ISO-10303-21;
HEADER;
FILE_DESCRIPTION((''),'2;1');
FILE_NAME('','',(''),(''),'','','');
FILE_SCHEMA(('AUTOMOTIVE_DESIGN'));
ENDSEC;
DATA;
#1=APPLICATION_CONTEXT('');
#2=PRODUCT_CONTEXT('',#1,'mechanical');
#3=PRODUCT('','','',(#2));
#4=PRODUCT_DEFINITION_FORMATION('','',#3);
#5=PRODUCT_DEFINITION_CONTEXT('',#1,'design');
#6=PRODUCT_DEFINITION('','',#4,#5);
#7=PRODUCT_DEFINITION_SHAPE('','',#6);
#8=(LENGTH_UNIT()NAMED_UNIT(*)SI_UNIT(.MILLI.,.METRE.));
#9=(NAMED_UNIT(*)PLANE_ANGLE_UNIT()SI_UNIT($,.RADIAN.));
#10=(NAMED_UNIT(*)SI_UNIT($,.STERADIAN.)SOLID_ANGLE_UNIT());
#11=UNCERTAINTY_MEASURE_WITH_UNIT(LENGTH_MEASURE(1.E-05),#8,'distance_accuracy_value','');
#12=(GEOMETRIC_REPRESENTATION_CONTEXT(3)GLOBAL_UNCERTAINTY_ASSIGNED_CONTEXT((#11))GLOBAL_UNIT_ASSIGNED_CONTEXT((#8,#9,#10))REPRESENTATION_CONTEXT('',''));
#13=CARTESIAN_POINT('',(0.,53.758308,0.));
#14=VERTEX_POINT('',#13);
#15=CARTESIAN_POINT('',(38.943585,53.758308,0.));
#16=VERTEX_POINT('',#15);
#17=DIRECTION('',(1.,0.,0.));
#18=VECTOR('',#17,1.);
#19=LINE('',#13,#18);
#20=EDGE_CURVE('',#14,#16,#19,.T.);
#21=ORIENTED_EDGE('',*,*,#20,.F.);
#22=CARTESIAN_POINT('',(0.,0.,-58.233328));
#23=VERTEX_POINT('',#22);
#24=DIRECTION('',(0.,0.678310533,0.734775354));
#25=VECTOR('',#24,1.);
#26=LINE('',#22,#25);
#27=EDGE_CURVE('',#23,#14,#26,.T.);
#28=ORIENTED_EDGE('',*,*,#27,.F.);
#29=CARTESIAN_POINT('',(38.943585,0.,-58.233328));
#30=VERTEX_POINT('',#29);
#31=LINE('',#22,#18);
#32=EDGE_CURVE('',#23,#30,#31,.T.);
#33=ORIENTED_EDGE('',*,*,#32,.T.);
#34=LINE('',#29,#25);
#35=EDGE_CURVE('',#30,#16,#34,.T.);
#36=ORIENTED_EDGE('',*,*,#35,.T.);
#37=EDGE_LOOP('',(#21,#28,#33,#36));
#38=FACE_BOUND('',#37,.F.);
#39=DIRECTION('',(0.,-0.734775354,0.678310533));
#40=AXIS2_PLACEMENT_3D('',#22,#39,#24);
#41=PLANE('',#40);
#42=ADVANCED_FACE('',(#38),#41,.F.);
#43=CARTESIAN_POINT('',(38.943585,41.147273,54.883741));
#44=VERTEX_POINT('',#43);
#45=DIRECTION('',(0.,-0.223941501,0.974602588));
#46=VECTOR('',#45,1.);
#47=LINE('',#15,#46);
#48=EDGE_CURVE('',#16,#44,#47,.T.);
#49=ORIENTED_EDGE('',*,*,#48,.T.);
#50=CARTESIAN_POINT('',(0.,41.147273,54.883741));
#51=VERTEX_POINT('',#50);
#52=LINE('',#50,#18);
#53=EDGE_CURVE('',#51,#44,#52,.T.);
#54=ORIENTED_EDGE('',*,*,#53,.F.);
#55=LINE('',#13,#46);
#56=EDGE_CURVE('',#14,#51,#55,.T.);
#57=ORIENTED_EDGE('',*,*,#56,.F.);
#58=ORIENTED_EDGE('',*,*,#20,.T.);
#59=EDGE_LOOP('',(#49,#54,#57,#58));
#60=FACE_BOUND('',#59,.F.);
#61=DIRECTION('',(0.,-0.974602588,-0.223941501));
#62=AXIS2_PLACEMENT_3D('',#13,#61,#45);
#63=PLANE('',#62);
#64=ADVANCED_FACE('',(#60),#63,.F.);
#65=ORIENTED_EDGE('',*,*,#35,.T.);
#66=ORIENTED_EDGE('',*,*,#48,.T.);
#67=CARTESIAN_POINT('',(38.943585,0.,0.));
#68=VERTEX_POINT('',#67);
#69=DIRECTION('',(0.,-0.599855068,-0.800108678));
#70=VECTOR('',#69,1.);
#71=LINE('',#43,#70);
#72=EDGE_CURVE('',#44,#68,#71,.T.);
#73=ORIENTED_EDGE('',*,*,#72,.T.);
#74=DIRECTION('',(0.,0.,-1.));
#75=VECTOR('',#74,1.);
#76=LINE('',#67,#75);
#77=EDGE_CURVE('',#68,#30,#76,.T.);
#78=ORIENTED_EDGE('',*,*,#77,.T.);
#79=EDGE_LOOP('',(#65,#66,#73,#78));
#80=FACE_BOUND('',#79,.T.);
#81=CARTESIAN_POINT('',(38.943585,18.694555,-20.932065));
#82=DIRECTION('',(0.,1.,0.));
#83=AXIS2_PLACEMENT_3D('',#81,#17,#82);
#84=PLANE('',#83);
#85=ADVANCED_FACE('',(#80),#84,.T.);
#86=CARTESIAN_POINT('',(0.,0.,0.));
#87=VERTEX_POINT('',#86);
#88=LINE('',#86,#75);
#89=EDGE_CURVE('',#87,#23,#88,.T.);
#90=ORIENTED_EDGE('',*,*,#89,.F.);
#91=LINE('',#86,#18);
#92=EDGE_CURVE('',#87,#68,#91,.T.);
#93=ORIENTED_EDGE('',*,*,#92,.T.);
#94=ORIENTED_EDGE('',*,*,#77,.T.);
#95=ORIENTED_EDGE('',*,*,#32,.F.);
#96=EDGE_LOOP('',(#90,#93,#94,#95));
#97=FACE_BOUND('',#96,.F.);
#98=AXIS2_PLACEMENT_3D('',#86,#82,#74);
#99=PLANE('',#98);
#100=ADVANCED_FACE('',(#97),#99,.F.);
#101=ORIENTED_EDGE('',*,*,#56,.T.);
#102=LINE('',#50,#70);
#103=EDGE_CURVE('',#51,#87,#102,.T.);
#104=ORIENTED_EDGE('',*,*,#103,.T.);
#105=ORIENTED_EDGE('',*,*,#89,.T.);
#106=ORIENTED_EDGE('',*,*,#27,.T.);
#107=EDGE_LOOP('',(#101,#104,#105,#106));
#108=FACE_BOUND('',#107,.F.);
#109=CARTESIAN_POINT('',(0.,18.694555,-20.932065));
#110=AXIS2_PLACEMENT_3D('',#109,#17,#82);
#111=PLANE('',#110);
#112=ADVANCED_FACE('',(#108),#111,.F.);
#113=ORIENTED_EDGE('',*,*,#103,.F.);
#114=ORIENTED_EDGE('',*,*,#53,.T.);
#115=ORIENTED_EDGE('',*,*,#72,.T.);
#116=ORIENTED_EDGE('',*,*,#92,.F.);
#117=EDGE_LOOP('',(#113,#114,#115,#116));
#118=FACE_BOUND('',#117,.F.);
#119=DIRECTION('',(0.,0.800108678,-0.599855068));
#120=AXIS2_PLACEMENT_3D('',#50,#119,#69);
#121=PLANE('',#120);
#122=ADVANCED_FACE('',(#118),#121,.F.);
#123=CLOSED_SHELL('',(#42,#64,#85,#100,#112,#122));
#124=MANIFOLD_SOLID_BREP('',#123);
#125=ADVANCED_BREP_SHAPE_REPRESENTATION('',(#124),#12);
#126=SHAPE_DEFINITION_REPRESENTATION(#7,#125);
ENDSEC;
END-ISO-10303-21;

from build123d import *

# Parameters (mm, degrees)
F1_DEPTH = 38.943585


with BuildPart() as f1:
    # F0 (on Right) → F1 (new body)
    with BuildSketch(Plane.YZ):
        Polygon((0, 0), (0, -58.233328), (53.758308, 0), align=None)
        Polygon((0, 0), (53.758308, 0), (41.147273, 54.883741), align=None)
    extrude(amount=F1_DEPTH)


solid = f1.part
